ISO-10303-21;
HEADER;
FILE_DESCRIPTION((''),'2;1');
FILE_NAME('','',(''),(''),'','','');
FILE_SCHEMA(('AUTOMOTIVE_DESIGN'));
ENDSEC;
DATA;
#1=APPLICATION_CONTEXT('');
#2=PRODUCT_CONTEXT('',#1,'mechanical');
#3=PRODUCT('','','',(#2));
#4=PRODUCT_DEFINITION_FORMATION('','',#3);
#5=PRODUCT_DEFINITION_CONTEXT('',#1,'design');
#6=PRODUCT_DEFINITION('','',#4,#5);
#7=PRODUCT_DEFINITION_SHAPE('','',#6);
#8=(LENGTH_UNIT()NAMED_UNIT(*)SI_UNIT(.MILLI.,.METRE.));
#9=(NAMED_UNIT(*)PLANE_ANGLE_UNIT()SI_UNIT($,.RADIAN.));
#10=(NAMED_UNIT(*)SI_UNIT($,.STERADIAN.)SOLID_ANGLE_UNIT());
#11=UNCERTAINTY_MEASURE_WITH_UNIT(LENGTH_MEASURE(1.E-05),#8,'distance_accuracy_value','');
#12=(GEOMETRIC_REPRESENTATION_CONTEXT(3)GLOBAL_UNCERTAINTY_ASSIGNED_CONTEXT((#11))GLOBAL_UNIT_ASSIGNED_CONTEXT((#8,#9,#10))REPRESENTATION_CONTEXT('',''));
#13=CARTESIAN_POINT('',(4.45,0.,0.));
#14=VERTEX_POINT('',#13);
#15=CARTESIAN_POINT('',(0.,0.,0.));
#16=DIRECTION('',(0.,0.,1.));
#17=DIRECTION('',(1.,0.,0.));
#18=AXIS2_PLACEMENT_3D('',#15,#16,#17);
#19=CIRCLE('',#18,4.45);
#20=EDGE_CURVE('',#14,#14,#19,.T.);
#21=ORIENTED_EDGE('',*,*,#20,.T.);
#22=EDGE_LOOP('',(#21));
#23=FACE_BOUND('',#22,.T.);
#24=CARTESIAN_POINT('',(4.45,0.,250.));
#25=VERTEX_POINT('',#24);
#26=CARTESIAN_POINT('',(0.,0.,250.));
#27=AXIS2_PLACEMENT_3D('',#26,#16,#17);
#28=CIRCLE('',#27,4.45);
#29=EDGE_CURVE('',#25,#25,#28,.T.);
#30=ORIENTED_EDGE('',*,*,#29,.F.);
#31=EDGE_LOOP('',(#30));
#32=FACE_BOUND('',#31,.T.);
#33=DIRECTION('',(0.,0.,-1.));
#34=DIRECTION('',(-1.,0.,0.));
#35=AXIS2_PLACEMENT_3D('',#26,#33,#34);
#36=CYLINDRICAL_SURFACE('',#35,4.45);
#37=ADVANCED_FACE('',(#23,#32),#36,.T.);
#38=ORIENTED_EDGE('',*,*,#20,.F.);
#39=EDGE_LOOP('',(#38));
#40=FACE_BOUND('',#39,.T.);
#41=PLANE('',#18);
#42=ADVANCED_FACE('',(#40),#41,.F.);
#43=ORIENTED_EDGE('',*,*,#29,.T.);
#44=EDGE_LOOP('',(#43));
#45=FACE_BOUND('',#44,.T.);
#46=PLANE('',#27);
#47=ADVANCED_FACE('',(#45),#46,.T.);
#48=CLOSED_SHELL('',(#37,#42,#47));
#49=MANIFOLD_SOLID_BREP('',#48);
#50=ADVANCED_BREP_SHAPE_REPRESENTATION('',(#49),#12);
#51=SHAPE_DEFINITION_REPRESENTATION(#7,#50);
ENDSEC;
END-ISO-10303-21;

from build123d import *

# Parameters (mm, degrees)
SKETCH1_R           = 4.45
BOSS_EXTRUDE1_DEPTH = 250


with BuildPart() as part:
    # Sketch1 → Boss-Extrude1 (new body)
    with BuildSketch(Plane.XY):
        Circle(SKETCH1_R)
    extrude(amount=BOSS_EXTRUDE1_DEPTH)


solid = part.part
